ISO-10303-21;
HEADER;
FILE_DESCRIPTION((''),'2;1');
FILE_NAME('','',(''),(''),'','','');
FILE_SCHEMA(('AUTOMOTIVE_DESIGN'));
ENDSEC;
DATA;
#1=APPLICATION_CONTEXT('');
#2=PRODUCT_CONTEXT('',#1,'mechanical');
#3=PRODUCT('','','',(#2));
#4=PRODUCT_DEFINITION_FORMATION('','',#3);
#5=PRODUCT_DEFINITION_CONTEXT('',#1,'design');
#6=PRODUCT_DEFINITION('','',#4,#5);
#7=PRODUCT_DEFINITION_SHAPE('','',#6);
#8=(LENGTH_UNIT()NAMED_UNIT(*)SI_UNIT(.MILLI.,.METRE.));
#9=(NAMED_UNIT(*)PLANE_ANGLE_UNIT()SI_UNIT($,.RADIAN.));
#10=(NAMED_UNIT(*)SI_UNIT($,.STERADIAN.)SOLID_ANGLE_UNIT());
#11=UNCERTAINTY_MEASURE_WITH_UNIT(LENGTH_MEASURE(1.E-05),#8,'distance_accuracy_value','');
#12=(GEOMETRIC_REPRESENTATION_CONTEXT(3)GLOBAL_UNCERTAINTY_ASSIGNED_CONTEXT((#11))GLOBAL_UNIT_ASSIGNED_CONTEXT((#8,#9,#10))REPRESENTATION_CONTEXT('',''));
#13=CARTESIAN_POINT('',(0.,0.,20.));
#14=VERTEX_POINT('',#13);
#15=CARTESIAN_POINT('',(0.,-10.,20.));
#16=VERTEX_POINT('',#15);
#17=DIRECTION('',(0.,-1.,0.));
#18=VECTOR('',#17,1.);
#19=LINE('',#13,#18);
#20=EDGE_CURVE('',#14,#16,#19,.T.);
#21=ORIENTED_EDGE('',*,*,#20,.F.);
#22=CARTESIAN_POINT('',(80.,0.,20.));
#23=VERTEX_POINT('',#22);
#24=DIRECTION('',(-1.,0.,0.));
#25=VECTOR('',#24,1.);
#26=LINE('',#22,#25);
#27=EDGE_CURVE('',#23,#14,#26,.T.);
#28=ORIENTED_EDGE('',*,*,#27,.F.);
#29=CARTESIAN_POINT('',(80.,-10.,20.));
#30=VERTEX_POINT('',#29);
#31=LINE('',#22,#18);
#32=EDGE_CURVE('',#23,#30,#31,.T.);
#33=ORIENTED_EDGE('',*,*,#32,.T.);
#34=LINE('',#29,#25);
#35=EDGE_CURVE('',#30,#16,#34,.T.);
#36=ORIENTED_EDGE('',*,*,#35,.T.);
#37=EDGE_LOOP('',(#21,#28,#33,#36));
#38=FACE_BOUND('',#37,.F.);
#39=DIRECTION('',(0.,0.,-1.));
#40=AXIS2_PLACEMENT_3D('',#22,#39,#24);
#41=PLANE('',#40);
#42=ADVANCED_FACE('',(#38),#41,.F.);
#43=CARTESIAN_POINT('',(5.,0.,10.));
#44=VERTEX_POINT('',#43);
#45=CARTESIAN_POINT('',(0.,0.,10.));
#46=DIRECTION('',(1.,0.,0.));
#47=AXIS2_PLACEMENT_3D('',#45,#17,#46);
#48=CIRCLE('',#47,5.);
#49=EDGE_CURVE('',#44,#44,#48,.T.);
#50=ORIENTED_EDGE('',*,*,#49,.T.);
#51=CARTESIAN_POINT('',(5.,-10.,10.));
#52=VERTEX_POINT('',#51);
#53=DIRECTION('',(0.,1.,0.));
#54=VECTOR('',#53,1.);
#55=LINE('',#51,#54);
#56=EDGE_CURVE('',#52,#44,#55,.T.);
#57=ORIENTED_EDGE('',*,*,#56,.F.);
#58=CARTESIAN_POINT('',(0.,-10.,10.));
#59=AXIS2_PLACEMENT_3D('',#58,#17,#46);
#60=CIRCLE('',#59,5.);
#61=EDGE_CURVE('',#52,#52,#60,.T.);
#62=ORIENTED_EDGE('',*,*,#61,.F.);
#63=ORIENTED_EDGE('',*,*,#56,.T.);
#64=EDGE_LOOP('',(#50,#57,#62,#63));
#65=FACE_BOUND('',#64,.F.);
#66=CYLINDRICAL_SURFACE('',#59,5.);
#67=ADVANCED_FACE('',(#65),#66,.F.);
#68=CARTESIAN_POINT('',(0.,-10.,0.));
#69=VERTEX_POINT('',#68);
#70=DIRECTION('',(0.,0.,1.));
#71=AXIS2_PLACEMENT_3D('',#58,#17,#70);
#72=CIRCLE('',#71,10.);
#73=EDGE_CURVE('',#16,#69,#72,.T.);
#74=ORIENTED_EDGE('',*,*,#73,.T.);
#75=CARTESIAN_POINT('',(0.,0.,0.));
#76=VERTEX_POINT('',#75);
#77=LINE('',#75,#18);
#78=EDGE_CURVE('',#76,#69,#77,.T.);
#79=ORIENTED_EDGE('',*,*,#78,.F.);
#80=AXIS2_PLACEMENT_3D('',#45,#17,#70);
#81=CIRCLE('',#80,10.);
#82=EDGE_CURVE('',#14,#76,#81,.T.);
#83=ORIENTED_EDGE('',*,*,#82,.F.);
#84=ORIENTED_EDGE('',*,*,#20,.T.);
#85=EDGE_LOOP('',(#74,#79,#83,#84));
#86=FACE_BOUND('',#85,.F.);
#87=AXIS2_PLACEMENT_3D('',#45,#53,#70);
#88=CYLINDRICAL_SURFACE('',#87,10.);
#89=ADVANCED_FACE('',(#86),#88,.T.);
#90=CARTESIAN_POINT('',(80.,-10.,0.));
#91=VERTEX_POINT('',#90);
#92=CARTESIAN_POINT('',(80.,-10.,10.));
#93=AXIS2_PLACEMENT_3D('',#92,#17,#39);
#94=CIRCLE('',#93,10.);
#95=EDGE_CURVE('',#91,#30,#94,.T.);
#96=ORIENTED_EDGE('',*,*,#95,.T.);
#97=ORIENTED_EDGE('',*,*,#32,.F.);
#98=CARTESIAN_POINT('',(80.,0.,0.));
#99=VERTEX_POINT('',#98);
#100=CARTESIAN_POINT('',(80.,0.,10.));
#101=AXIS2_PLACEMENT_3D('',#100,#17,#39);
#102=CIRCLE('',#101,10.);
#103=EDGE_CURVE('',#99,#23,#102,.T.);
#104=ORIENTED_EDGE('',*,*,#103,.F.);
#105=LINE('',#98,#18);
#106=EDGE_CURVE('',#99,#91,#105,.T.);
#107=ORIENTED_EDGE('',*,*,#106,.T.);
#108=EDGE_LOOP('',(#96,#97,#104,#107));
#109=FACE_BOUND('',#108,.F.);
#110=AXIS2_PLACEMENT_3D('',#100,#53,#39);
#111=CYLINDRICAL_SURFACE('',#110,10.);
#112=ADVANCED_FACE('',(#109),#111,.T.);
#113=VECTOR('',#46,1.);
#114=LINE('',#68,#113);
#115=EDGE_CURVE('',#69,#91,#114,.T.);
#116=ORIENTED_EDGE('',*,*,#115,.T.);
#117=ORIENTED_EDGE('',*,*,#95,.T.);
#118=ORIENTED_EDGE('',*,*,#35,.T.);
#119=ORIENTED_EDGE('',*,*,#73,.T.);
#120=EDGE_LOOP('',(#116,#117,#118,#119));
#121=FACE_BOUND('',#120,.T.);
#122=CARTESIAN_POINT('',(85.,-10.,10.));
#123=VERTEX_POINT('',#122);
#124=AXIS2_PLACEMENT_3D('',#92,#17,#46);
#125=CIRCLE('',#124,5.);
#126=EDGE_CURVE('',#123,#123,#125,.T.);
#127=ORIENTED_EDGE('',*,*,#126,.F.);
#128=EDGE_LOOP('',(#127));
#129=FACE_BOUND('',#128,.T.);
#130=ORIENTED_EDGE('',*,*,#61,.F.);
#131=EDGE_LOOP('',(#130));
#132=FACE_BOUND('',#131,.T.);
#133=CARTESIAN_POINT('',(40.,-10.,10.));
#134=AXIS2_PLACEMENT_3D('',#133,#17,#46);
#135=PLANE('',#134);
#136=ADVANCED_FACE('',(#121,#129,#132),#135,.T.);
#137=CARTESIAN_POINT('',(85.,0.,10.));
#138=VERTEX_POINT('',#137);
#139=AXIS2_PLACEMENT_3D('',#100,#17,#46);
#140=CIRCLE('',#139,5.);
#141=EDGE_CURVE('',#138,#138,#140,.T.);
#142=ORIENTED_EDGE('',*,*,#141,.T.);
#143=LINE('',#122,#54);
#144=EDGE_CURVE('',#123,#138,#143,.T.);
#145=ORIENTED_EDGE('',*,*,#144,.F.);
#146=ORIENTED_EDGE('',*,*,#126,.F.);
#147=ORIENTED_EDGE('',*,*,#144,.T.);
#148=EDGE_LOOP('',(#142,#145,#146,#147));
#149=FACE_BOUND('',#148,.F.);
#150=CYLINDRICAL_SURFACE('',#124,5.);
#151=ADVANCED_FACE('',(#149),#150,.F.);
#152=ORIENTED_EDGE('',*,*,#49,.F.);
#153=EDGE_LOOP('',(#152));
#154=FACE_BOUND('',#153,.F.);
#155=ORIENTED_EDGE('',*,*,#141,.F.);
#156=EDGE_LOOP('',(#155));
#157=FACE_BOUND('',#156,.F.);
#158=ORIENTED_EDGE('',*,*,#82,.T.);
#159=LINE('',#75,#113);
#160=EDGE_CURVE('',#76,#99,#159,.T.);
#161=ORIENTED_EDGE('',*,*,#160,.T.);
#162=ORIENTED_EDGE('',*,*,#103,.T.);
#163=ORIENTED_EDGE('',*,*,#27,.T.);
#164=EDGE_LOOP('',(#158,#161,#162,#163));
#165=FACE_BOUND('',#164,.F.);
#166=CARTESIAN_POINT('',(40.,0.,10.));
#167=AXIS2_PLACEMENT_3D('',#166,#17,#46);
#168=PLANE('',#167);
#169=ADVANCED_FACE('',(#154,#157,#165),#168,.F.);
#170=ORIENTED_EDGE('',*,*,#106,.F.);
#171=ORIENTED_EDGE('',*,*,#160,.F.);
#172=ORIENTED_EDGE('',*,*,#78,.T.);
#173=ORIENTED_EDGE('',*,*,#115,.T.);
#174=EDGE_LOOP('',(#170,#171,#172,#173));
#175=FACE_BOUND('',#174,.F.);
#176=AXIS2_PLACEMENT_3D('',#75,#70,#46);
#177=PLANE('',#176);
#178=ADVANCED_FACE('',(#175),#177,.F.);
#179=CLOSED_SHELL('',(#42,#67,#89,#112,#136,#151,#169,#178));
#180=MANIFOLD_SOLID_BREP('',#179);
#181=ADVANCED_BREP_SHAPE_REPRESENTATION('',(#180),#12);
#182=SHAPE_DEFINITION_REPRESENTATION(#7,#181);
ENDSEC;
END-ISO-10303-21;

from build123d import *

# Parameters (mm, degrees)
F1_DEPTH = 10
F2_R     = 5
F3_DEPTH = 10.001


with BuildPart() as f1:
    # F0 (on Front) → F1 (new body)
    with BuildSketch(Plane.XZ):
        with BuildLine():
            ThreePointArc((0, 20), (-10, 10), (0, 0))
            Line((0, 0), (80, 0))
            ThreePointArc((80, 0), (90, 10), (80, 20))
            Line((80, 20), (0, 20))
        make_face()
    extrude(amount=F1_DEPTH)

    # F2 (on face) → F3 (cut, through all)
    with BuildSketch(Plane.XZ.offset(10)):
        with Locations((0, 10)):
            Circle(F2_R)
        with Locations((80, 10)):
            Circle(F2_R)
    extrude(amount=-F3_DEPTH, mode=Mode.SUBTRACT)


solid = f1.part
